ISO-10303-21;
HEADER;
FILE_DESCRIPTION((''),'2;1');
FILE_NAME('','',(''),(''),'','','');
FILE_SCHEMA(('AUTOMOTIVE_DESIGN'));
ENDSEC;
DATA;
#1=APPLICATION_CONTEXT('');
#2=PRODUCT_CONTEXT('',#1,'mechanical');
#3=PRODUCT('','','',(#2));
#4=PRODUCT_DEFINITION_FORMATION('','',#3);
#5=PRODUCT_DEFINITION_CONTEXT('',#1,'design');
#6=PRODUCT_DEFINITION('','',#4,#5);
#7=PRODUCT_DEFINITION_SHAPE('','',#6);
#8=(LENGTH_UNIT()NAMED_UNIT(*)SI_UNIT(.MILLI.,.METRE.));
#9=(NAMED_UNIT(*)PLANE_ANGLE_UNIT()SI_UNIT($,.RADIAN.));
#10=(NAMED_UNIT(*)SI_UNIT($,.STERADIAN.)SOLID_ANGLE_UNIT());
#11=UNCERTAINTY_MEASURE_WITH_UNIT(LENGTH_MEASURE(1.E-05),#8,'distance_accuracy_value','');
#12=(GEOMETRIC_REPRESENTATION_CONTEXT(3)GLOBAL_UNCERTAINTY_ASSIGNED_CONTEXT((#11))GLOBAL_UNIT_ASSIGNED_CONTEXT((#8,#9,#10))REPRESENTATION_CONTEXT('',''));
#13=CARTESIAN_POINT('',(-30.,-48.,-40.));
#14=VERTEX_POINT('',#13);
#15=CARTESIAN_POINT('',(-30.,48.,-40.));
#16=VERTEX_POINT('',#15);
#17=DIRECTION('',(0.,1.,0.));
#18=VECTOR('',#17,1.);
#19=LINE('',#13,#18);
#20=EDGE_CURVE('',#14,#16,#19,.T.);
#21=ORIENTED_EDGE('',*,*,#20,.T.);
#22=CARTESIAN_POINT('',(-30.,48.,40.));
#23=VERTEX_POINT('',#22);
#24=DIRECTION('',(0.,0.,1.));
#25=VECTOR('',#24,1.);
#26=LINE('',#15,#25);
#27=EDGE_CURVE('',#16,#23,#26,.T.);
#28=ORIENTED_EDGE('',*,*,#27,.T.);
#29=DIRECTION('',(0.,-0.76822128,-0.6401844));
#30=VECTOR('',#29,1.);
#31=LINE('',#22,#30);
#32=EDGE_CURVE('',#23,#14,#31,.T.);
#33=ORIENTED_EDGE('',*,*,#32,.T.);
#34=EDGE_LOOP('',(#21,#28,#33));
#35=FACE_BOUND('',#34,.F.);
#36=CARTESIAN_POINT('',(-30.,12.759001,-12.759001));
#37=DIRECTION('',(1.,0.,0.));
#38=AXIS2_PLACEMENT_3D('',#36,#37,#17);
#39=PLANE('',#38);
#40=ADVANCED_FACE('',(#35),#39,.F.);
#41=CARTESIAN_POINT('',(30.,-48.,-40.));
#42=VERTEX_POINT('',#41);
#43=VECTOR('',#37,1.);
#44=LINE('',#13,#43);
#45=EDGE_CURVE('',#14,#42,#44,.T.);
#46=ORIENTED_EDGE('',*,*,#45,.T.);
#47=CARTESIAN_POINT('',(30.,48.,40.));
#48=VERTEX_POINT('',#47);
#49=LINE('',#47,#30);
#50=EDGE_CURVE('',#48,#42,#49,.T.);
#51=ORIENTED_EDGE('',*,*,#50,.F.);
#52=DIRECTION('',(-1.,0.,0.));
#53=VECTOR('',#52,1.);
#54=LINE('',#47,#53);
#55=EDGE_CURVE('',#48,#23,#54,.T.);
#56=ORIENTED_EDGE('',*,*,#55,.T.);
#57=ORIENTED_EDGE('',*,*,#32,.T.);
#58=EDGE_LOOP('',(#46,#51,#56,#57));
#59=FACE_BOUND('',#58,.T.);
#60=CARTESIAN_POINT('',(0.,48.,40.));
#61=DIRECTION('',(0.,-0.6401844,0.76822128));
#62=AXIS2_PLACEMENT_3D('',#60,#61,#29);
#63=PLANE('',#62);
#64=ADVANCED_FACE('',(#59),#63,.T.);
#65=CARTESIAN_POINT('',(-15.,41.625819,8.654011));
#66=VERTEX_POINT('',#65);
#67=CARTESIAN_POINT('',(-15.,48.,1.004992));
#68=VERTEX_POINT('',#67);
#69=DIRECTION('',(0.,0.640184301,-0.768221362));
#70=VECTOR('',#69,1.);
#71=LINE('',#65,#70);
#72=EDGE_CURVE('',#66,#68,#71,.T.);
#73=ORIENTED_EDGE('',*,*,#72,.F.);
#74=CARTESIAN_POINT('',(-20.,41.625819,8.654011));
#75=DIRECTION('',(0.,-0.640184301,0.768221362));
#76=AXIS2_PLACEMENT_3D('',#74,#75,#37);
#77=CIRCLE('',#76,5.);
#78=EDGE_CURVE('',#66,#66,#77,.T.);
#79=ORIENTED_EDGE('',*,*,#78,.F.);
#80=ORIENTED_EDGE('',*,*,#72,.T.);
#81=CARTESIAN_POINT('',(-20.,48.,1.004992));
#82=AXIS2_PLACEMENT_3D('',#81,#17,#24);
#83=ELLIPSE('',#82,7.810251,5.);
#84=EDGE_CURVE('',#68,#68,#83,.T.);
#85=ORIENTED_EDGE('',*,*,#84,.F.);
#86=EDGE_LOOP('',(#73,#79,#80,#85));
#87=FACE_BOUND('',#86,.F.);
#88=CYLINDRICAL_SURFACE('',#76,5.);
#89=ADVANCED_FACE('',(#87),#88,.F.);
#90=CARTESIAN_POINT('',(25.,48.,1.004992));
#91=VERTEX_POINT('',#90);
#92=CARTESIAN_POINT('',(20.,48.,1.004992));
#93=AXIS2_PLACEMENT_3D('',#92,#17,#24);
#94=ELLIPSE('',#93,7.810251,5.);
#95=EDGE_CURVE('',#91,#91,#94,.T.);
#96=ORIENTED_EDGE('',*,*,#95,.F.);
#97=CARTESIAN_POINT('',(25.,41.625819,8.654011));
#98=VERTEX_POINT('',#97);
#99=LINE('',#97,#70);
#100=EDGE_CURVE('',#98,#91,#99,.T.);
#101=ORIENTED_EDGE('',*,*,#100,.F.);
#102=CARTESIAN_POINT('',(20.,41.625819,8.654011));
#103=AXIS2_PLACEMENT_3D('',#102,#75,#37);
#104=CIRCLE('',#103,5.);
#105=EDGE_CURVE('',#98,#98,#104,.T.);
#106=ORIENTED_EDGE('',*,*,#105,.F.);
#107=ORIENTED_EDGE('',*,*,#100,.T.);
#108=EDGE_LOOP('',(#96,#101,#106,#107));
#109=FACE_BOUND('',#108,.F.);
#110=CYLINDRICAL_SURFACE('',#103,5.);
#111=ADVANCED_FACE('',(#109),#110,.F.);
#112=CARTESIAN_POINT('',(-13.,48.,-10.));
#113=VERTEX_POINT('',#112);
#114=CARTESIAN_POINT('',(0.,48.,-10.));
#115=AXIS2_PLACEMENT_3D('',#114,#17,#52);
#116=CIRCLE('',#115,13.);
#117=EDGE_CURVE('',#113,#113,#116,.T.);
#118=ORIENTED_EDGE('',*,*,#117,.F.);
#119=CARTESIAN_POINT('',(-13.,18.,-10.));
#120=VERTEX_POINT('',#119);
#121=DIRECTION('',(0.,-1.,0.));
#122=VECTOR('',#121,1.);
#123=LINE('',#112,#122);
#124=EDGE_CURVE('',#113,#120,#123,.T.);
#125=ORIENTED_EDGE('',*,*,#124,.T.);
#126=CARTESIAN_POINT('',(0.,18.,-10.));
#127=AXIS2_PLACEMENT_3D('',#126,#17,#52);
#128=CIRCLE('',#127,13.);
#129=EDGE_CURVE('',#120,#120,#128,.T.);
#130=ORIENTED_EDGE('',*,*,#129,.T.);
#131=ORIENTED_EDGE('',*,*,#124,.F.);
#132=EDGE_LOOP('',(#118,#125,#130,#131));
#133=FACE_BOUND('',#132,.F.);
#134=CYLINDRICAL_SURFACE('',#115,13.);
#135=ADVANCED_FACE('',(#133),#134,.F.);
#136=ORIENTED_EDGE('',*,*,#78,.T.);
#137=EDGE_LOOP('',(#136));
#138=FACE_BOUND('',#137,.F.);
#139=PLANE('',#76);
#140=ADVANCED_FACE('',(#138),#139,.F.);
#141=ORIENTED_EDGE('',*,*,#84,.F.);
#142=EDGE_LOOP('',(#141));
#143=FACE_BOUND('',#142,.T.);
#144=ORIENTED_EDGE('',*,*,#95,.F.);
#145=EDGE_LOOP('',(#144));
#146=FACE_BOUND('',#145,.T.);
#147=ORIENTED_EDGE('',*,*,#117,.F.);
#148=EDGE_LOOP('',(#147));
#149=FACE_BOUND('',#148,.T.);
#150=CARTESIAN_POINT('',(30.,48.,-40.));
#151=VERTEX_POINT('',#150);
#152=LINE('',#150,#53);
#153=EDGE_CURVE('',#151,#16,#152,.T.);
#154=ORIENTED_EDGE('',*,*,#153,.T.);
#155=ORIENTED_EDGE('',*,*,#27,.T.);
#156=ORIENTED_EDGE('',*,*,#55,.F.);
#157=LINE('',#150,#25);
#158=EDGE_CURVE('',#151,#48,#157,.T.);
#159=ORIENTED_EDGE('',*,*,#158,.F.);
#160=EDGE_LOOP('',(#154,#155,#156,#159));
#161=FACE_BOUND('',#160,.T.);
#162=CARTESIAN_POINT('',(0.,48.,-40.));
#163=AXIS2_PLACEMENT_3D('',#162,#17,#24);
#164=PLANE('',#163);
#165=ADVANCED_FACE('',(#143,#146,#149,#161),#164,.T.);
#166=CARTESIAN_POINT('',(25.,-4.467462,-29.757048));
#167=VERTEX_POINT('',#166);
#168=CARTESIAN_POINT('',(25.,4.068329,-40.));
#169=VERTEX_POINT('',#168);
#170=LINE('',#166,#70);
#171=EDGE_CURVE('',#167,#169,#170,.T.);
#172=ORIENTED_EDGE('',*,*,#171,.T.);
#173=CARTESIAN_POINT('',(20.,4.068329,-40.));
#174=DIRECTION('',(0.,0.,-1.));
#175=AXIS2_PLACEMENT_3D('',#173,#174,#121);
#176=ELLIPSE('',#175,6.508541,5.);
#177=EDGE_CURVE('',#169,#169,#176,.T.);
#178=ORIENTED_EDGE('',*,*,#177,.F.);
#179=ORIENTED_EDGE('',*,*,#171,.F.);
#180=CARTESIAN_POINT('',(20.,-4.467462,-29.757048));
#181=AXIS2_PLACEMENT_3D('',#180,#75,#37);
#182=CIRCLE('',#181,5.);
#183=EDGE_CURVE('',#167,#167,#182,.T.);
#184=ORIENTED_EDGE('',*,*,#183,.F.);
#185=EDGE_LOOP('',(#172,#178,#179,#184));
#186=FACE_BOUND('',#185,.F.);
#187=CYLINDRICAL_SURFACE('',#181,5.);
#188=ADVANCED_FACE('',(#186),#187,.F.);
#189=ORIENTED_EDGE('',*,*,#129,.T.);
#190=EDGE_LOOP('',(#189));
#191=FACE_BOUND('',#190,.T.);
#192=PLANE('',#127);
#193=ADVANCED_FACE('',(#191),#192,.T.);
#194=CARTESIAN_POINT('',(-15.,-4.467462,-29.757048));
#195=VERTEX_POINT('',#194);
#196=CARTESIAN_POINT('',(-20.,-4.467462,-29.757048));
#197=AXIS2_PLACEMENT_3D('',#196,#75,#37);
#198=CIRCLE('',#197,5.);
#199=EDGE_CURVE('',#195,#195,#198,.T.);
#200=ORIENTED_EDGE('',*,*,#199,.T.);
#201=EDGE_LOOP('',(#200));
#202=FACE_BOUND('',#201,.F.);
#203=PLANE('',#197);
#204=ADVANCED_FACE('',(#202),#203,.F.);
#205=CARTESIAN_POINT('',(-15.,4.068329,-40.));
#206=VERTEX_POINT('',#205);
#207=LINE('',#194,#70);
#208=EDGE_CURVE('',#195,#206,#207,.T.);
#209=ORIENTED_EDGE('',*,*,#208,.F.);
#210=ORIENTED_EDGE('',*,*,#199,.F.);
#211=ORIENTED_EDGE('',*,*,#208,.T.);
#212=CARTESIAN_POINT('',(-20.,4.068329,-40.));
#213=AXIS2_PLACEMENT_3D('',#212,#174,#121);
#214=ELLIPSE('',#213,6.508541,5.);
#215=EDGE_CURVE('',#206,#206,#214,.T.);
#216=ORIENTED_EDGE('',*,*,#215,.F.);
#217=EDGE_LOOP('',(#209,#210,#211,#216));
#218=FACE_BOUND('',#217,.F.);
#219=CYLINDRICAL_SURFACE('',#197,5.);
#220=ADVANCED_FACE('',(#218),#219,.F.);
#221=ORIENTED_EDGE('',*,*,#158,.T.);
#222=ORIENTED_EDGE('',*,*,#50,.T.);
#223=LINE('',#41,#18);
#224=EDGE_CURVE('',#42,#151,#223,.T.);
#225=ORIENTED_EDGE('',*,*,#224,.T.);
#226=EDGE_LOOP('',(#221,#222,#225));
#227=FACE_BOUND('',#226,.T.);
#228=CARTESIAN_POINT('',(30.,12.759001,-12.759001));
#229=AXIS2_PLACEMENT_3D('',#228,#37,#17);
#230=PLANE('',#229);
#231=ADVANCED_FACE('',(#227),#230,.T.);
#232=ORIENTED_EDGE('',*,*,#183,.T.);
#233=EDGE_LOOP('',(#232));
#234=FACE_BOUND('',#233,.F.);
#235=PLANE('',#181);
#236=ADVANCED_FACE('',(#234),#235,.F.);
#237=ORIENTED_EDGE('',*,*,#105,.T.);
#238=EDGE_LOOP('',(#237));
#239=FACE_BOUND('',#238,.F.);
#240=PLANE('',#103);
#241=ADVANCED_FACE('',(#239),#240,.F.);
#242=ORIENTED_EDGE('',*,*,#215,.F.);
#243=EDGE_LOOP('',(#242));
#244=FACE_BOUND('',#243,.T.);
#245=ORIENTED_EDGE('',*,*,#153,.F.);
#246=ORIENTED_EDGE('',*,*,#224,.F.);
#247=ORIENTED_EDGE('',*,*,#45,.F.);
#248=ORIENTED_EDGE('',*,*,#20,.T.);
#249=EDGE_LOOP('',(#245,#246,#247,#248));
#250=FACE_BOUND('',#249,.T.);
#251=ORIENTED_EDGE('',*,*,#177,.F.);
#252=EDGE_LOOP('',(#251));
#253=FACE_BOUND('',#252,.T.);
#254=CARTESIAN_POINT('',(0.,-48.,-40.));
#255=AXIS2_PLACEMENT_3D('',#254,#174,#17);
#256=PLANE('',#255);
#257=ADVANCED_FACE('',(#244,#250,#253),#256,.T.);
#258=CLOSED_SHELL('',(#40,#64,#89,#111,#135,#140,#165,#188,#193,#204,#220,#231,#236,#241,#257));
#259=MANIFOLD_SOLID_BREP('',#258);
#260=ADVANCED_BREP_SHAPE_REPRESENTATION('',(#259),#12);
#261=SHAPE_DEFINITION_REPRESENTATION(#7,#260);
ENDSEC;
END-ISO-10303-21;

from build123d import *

# Parameters (mm, degrees)
F1_DEPTH = 30
F2_R     = 13
F3_DEPTH = 30
F5_R     = 5
F6_DEPTH = 25


with BuildPart() as f1:
    # F0 (on Right) → F1 (new body, symmetric)
    with BuildSketch(Plane.YZ):
        Polygon((48, 40), (-48, -40), (48, -40), align=None)
    extrude(amount=F1_DEPTH, both=True)

    # F2 (on face) → F3 (cut)
    with BuildSketch(Plane(origin=(0, 48, 0), x_dir=(-1, 0, 0), z_dir=(0, 1, 0))):
        with Locations((0, -10)):
            Circle(F2_R)
    extrude(amount=-F3_DEPTH, mode=Mode.SUBTRACT)

    # F5 (on offset) → F6 (cut)
    with BuildSketch(Plane(origin=(0, 12.803688, -15.364426), x_dir=(1, 0, 0), z_dir=(0, -0.640184, 0.768221))):
        with Locations((20, -22.481997)):
            Circle(F5_R)
        with Locations((20, 37.518003)):
            Circle(F5_R)
        with Locations((-20, -22.481997)):
            Circle(F5_R)
        with Locations((-20, 37.518003)):
            Circle(F5_R)
    extrude(amount=-F6_DEPTH, mode=Mode.SUBTRACT)


solid = f1.part
